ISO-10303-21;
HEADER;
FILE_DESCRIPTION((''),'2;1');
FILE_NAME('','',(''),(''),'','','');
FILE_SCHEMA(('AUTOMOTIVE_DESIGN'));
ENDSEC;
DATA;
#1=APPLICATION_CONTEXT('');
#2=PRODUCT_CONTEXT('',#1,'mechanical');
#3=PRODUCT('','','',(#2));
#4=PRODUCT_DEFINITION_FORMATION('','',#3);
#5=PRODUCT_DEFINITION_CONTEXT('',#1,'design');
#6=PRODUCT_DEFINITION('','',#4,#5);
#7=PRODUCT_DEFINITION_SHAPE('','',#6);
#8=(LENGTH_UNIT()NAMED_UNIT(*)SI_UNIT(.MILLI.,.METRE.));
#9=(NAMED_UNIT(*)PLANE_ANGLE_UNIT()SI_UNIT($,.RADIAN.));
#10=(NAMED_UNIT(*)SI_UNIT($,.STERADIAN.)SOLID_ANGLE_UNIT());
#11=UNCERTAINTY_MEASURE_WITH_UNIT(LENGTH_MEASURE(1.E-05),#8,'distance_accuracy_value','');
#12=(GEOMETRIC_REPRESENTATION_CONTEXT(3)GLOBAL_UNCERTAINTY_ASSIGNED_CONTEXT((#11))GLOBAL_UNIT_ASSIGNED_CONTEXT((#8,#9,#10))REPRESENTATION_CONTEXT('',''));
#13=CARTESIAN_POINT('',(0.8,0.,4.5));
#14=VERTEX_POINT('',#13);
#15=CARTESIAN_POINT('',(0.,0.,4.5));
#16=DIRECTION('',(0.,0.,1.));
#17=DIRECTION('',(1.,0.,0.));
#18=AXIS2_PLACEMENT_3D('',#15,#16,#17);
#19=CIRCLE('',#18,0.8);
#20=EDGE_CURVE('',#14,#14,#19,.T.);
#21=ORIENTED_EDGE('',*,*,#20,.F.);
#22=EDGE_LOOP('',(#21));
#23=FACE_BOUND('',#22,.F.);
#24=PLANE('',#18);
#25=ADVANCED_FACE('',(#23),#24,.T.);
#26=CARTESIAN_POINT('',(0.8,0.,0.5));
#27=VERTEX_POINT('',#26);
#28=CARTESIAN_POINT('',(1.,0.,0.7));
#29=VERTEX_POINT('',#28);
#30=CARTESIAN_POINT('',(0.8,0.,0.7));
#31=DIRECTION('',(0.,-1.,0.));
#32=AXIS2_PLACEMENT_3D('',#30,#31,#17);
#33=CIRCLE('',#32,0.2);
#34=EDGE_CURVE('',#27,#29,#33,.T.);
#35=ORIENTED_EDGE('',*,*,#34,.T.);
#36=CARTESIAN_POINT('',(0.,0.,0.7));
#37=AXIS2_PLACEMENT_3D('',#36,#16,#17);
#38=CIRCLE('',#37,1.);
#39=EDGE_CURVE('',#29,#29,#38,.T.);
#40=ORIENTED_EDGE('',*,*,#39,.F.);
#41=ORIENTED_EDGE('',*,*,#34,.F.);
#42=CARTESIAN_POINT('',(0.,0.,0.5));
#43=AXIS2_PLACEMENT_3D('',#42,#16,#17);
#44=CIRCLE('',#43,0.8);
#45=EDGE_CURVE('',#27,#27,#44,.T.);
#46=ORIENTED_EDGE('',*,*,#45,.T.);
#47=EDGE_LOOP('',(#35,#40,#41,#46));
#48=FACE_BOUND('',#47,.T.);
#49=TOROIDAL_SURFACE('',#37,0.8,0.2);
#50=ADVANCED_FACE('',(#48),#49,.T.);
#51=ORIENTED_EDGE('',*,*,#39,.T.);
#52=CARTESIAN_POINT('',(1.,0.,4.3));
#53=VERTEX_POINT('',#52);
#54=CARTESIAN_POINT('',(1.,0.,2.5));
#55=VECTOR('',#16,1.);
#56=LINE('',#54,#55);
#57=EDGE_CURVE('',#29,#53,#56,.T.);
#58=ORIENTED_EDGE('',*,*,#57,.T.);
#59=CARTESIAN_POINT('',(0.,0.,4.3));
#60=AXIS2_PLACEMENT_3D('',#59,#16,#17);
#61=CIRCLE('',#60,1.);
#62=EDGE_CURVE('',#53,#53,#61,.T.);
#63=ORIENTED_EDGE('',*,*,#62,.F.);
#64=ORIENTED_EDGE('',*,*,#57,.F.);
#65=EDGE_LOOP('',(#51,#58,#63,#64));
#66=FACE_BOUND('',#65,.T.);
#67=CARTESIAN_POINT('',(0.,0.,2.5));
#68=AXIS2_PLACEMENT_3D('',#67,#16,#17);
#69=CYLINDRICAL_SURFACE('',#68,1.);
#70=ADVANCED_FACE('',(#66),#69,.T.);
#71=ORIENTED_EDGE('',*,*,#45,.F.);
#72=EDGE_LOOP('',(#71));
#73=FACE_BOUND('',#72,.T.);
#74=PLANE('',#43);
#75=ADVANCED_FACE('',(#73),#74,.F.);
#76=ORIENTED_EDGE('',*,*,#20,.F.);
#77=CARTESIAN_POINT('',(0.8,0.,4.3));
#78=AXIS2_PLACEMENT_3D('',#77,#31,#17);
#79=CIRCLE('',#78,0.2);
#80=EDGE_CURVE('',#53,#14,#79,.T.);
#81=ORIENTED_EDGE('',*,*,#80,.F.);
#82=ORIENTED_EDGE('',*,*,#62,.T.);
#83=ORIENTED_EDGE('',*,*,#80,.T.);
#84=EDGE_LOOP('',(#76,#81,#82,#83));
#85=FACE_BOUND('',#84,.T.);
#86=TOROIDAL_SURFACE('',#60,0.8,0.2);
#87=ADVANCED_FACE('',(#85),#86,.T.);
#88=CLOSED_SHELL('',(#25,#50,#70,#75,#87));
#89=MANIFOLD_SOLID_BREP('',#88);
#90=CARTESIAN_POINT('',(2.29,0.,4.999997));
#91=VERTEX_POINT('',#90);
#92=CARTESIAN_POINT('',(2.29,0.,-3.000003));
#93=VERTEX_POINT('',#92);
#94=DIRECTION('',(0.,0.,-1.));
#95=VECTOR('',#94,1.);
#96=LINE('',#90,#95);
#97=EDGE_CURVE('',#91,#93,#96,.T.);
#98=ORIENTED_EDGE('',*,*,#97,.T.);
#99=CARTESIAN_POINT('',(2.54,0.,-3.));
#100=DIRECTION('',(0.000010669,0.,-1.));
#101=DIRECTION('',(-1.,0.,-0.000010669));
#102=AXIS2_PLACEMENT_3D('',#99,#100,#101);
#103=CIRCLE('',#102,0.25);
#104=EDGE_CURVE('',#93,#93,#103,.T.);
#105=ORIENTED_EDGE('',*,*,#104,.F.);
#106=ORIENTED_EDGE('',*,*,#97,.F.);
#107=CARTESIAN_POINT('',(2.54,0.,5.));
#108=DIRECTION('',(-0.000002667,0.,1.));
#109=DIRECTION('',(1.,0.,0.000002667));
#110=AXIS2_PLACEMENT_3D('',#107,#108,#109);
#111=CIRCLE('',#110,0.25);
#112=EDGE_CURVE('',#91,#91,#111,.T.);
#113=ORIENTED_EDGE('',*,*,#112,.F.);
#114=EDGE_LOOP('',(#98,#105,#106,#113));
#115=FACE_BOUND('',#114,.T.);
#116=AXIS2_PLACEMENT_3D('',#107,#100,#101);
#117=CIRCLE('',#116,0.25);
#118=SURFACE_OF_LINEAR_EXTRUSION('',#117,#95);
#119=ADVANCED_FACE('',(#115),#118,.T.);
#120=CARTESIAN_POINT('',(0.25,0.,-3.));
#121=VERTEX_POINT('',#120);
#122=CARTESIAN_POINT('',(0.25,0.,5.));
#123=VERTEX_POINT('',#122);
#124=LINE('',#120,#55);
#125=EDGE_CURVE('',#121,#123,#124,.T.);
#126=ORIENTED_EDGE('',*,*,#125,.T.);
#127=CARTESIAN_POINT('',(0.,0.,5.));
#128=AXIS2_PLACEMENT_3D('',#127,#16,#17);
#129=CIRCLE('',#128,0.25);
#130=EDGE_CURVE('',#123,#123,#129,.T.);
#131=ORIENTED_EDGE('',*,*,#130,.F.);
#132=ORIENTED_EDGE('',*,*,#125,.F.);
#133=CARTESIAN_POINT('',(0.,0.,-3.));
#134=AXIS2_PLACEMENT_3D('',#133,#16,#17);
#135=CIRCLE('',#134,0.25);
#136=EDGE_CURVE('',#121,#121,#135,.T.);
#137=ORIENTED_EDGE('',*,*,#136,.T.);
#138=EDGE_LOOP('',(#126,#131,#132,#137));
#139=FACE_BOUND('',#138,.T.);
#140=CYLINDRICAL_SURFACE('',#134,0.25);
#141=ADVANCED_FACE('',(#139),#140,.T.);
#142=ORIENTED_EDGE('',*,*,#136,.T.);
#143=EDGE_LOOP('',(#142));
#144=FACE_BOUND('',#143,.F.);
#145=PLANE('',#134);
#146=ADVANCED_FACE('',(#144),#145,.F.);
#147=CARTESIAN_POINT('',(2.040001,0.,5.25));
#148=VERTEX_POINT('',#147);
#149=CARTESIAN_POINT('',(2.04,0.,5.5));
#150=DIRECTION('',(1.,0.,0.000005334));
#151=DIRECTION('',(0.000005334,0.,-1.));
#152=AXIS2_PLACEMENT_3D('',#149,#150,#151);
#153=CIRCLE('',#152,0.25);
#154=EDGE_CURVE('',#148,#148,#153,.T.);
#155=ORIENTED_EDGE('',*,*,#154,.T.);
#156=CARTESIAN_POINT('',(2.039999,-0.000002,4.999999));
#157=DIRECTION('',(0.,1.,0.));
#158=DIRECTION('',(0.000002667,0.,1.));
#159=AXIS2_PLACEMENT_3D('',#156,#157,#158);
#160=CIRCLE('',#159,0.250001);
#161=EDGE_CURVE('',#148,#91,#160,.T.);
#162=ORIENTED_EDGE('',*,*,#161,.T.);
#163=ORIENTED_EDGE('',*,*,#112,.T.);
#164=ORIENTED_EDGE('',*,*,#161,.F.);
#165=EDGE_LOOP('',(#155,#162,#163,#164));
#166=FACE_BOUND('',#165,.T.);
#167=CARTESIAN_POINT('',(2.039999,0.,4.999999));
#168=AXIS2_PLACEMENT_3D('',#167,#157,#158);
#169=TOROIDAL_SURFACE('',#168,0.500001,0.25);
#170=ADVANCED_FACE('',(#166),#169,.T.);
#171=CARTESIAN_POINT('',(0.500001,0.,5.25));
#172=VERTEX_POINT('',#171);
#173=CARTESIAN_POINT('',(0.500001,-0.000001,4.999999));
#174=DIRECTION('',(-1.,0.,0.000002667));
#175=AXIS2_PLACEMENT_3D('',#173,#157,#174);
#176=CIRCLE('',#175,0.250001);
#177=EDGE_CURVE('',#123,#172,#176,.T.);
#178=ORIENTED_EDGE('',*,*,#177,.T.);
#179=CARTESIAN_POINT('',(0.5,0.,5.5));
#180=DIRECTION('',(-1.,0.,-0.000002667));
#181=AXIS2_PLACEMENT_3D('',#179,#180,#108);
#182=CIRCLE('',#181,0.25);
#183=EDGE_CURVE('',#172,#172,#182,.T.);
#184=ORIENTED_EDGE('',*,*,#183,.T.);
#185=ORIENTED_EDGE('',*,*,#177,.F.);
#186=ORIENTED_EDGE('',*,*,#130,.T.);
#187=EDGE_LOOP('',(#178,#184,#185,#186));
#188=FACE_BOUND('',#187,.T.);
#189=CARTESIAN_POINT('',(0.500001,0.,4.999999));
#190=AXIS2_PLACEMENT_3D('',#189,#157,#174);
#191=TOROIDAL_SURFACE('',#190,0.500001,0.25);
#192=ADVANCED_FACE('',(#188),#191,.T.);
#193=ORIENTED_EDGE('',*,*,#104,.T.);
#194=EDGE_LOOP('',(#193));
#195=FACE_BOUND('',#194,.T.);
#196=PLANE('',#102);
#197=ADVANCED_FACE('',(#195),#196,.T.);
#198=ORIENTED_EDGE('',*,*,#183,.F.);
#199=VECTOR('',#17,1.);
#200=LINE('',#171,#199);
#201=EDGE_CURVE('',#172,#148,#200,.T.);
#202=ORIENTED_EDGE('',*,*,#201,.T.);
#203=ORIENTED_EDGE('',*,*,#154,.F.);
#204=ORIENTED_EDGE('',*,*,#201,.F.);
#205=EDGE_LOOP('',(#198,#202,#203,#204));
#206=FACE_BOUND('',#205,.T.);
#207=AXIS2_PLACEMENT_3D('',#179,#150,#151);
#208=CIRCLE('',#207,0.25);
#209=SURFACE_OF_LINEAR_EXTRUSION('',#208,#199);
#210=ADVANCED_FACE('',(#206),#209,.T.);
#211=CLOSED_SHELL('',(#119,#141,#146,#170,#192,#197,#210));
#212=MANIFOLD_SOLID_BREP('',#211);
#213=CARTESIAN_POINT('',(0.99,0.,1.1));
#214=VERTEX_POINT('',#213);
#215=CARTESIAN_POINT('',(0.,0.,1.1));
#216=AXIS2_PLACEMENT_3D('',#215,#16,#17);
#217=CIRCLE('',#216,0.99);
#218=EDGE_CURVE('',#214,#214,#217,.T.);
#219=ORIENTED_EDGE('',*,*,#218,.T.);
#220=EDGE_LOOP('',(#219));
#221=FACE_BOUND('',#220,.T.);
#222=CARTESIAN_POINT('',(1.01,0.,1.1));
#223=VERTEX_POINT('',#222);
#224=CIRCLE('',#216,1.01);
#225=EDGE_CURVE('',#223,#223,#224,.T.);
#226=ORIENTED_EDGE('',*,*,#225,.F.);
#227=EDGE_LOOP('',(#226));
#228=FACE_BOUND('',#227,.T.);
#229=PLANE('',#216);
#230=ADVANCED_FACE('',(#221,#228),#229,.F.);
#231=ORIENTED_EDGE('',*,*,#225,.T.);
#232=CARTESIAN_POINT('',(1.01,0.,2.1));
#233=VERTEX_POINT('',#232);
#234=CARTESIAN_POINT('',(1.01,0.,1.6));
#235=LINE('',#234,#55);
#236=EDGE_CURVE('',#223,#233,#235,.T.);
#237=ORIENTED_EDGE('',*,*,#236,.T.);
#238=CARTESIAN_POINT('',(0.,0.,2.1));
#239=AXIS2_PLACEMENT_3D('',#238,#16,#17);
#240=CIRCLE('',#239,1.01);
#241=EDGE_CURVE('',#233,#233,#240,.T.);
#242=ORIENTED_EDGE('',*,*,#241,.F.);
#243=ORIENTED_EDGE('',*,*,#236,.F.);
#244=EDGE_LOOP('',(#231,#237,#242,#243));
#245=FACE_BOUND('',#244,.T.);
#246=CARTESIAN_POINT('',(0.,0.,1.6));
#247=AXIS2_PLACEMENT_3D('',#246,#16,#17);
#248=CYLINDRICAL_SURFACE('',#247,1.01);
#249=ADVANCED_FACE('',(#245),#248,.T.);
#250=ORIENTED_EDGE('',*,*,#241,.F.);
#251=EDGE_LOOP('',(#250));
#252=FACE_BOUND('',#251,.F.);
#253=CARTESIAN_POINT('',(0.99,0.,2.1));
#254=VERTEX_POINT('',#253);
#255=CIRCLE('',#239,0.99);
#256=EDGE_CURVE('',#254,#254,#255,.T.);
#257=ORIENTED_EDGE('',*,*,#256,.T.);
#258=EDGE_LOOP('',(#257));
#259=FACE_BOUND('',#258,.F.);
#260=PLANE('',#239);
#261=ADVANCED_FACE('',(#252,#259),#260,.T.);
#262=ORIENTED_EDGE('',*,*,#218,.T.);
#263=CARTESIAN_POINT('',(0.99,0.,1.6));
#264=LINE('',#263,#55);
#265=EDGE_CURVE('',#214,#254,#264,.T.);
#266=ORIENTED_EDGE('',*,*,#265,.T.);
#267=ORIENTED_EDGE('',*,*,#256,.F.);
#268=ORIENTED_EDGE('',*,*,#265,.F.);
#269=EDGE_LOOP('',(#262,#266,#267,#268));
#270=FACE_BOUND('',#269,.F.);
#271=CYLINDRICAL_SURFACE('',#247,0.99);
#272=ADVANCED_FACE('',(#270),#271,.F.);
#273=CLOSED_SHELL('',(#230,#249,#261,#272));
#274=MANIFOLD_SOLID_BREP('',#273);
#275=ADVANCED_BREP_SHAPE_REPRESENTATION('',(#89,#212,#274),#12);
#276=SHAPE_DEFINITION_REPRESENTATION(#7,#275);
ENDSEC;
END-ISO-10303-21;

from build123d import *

# Parameters (mm, degrees)
SKETCH001_R = 0.25
SKETCH003_W = 0.02
SKETCH003_H = 1
SKETCH002_W = 1
SKETCH002_H = 4
FILLET_R    = 0.2


with BuildPart() as sweep_body:
    # Sweep: sweep along a path in Sketch
    with BuildLine(Plane.XZ) as sweep_path:
        Line((0, -3), (0, 5))
        ThreePointArc((0, 5), (0.146447, 5.353553), (0.5, 5.5))
        Line((0.5, 5.5), (2.04, 5.5))
        ThreePointArc((2.04, 5.5), (2.393553, 5.353553), (2.54, 5))
        Line((2.54, 5), (2.54, -3))
    # Sketch001 → Sweep (sweep)
    with BuildSketch(Plane.XY):
        Circle(SKETCH001_R)
    sweep(path=sweep_path.line)


with BuildPart() as revolution001:
    # Sketch003 → Revolution001 (revolve)
    with BuildSketch(Plane.XZ):
        with Locations((1, 1.6)):
            Rectangle(SKETCH003_W, SKETCH003_H)
    revolve(axis=Axis((0, 0, 5.9), (0, 0, 1)))


with BuildPart() as fillet_body:
    # Sketch002 → Revolution (revolve)
    with BuildSketch(Plane.XZ):
        with Locations((0.5, 2.5)):
            Rectangle(SKETCH002_W, SKETCH002_H)
    revolve(axis=Axis((0, 0, 0.5), (0, 0, 1)))

    # Fillet
    fillet_edges = [fillet_body.edges().sort_by_distance(p)[0] for p in [
        (-1, 0, 4.5),
        (-1, 0, 0.5),
    ]]
    fillet(fillet_edges, radius=FILLET_R)


solid = Compound([sweep_body.part, revolution001.part, fillet_body.part])
